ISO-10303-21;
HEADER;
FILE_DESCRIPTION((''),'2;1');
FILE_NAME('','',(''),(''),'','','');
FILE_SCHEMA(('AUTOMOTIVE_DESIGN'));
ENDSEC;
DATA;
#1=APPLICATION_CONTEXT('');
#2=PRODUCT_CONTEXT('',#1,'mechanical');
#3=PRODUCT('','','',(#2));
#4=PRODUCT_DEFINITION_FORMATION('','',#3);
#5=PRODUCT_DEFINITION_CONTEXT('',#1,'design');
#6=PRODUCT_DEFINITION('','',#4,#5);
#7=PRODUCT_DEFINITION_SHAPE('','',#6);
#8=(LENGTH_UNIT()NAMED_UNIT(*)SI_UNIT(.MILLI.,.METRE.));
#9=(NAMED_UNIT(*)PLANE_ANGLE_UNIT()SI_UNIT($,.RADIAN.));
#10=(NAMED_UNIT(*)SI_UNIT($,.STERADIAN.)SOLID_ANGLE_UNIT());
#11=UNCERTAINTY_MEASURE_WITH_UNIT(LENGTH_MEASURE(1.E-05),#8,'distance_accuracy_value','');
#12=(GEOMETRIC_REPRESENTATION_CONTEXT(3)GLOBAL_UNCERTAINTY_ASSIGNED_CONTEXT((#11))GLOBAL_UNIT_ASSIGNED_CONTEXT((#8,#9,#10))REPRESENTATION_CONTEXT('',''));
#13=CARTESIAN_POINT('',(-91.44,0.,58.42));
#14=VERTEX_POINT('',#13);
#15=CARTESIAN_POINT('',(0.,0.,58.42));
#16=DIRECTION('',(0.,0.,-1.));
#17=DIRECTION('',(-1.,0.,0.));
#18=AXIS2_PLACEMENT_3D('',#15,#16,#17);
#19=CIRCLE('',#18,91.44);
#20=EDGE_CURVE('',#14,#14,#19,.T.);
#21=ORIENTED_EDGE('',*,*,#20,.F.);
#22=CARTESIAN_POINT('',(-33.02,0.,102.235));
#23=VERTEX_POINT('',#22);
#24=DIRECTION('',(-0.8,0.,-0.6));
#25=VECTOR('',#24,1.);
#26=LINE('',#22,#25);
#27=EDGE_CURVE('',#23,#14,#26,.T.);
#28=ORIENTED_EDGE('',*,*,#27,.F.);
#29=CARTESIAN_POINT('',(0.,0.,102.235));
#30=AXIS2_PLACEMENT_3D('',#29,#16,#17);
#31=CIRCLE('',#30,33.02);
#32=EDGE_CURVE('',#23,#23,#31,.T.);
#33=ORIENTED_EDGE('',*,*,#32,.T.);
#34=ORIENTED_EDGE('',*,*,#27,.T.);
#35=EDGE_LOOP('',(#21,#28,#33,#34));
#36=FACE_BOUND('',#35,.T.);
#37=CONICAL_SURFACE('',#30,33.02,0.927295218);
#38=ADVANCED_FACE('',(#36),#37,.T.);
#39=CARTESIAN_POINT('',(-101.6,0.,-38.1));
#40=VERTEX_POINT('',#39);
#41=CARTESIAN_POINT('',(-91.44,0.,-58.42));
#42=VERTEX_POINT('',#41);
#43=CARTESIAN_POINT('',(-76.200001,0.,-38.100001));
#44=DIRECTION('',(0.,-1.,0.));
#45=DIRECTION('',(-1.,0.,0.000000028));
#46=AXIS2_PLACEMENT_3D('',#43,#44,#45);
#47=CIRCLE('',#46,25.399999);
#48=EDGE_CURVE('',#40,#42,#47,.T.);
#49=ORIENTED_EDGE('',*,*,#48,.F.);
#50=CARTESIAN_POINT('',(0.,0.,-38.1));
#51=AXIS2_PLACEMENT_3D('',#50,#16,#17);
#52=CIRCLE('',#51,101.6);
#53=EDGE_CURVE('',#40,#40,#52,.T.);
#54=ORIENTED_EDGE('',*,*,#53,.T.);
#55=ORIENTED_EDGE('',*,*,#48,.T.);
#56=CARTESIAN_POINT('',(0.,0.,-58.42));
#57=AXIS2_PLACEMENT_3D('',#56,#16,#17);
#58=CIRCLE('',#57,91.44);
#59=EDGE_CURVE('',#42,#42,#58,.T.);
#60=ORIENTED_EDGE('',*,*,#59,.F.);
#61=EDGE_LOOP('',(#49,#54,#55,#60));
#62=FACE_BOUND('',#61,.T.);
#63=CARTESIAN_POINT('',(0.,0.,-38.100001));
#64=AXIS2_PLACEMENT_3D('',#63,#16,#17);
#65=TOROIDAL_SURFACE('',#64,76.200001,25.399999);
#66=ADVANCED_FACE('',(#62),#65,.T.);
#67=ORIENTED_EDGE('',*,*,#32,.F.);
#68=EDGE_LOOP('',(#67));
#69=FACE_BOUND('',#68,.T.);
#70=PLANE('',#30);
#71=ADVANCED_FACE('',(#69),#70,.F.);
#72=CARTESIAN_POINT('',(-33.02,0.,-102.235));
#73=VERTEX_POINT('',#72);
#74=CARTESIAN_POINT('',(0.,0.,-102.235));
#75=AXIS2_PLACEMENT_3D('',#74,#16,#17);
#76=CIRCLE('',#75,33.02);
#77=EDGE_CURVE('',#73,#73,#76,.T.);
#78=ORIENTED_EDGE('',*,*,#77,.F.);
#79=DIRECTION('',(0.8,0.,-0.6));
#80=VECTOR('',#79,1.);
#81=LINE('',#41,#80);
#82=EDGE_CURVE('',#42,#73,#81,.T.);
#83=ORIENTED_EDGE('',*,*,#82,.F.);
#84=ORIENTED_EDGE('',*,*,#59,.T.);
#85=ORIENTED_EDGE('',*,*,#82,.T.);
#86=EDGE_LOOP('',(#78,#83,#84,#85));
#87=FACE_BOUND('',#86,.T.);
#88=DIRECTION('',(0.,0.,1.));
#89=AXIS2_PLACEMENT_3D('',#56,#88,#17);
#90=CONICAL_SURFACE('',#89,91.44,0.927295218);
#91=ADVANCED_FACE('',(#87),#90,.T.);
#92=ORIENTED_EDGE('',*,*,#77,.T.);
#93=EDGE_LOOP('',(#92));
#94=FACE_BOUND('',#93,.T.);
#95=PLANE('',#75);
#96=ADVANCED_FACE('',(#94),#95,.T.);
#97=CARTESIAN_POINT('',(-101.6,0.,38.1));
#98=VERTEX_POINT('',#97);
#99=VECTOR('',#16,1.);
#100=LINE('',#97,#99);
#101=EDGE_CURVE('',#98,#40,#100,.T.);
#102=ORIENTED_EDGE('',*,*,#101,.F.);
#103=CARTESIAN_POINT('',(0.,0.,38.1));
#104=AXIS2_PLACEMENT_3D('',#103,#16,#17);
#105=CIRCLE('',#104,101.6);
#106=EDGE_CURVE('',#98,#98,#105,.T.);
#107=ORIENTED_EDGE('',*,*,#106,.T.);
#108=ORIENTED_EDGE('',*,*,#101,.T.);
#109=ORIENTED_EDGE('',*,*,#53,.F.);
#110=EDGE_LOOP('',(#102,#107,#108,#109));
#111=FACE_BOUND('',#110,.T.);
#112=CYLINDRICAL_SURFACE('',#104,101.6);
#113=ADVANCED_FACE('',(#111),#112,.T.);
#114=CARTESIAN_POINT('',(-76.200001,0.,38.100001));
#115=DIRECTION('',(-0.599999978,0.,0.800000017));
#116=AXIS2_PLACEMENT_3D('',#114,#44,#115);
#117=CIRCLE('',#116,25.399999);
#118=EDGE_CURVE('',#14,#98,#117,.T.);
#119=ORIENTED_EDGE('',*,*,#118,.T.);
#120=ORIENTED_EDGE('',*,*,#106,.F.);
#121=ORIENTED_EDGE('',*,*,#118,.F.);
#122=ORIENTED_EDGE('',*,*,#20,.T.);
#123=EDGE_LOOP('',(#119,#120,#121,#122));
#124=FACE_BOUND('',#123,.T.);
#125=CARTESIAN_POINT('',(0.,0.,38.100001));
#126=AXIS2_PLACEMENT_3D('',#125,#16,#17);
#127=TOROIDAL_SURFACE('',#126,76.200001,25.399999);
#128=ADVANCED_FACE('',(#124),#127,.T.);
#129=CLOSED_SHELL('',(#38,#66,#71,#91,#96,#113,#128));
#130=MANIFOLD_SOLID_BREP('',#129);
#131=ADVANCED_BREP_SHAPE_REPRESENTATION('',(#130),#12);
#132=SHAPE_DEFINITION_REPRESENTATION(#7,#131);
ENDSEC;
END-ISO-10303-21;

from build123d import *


with BuildPart() as f1:
    # F0 (on Front) → F1 (revolve)
    with BuildSketch(Plane.XZ):
        with BuildLine():
            ThreePointArc((-91.44, 58.42), (-98.918451, 49.459225), (-101.6, 38.1))
            Line((-101.6, 38.1), (-101.6, -38.1))
            ThreePointArc((-101.6, -38.1), (-98.918451, -49.459225), (-91.44, -58.42))
            Line((-91.44, -58.42), (-33.02, -102.235))
            Line((-33.02, -102.235), (0, -102.235))
            Line((0, -102.235), (0, 102.235))
            Line((0, 102.235), (-33.02, 102.235))
            Line((-33.02, 102.235), (-91.44, 58.42))
        make_face()
    revolve(axis=Axis((0, 0, 4.563034), (0, 0, -1)))


solid = f1.part
